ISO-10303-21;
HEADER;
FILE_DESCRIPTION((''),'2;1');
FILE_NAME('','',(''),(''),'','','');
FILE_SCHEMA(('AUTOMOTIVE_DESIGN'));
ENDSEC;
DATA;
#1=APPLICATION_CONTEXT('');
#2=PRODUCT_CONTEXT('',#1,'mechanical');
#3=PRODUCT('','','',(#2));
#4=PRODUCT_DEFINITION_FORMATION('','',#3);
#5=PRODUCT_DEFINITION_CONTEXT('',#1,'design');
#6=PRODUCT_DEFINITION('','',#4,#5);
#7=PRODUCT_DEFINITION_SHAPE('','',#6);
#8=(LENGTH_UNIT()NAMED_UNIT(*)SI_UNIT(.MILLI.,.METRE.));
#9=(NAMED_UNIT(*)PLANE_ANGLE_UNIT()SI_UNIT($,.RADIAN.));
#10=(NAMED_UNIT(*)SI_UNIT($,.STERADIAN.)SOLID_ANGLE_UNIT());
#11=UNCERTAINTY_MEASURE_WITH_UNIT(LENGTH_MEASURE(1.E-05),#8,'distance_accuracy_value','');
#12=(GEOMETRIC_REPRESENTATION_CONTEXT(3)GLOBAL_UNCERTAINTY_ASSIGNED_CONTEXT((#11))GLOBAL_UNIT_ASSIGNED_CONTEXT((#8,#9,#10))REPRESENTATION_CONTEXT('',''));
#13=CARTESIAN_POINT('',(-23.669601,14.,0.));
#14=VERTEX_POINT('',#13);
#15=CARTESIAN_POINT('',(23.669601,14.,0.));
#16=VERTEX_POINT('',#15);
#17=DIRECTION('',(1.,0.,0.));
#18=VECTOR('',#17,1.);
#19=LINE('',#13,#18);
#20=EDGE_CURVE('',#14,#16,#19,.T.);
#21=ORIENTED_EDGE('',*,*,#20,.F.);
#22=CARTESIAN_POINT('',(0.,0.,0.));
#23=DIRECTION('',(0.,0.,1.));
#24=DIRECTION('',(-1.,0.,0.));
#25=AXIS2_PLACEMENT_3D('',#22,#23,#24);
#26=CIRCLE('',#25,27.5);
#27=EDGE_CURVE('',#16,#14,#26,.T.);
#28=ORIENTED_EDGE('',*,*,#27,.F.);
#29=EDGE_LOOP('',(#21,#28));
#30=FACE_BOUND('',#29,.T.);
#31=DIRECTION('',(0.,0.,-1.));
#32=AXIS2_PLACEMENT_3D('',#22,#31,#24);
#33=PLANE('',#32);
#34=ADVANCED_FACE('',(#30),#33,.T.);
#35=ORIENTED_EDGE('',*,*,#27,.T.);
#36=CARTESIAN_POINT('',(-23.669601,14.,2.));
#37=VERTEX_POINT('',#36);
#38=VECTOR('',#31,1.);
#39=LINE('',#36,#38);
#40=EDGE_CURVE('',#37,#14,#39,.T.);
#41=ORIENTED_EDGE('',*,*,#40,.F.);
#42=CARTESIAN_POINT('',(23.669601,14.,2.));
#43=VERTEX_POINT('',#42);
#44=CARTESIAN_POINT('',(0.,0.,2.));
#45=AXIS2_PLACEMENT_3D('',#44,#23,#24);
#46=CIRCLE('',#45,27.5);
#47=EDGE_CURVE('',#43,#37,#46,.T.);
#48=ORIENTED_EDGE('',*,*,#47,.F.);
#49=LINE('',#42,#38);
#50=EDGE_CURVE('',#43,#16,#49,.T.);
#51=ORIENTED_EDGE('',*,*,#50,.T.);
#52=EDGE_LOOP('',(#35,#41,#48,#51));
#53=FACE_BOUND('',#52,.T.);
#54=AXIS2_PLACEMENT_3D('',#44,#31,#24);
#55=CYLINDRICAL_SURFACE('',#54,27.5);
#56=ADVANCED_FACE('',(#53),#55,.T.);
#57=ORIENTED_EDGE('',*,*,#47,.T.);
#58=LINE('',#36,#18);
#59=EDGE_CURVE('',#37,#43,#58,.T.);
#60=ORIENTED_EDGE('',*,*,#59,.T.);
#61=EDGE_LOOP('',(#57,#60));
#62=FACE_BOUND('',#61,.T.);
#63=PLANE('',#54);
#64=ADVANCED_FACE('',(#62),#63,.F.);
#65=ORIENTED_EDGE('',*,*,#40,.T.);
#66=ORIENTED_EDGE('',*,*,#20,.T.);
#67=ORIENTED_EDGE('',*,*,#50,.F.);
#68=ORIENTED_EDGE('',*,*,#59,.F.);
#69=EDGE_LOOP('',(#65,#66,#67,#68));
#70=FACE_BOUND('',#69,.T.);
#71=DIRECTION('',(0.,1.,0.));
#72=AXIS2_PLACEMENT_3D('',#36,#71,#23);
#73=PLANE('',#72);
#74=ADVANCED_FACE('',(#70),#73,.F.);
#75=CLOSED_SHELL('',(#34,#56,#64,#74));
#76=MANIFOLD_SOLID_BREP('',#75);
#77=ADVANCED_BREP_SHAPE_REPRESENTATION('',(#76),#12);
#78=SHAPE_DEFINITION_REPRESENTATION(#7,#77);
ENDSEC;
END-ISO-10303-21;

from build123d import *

# Parameters (mm, degrees)
EXTRUDE_1_DEPTH = 2


with BuildPart() as part:
    # 草图1 → 凸台-拉伸1 (new body)
    with BuildSketch(Plane.XY):
        with BuildLine():
            Line((-23.669600757, 14), (23.669600757, 14))
            ThreePointArc((23.669600757, 14), (0, 27.5), (-23.669600757, 14))
        make_face()
    extrude(amount=EXTRUDE_1_DEPTH)


solid = part.part
